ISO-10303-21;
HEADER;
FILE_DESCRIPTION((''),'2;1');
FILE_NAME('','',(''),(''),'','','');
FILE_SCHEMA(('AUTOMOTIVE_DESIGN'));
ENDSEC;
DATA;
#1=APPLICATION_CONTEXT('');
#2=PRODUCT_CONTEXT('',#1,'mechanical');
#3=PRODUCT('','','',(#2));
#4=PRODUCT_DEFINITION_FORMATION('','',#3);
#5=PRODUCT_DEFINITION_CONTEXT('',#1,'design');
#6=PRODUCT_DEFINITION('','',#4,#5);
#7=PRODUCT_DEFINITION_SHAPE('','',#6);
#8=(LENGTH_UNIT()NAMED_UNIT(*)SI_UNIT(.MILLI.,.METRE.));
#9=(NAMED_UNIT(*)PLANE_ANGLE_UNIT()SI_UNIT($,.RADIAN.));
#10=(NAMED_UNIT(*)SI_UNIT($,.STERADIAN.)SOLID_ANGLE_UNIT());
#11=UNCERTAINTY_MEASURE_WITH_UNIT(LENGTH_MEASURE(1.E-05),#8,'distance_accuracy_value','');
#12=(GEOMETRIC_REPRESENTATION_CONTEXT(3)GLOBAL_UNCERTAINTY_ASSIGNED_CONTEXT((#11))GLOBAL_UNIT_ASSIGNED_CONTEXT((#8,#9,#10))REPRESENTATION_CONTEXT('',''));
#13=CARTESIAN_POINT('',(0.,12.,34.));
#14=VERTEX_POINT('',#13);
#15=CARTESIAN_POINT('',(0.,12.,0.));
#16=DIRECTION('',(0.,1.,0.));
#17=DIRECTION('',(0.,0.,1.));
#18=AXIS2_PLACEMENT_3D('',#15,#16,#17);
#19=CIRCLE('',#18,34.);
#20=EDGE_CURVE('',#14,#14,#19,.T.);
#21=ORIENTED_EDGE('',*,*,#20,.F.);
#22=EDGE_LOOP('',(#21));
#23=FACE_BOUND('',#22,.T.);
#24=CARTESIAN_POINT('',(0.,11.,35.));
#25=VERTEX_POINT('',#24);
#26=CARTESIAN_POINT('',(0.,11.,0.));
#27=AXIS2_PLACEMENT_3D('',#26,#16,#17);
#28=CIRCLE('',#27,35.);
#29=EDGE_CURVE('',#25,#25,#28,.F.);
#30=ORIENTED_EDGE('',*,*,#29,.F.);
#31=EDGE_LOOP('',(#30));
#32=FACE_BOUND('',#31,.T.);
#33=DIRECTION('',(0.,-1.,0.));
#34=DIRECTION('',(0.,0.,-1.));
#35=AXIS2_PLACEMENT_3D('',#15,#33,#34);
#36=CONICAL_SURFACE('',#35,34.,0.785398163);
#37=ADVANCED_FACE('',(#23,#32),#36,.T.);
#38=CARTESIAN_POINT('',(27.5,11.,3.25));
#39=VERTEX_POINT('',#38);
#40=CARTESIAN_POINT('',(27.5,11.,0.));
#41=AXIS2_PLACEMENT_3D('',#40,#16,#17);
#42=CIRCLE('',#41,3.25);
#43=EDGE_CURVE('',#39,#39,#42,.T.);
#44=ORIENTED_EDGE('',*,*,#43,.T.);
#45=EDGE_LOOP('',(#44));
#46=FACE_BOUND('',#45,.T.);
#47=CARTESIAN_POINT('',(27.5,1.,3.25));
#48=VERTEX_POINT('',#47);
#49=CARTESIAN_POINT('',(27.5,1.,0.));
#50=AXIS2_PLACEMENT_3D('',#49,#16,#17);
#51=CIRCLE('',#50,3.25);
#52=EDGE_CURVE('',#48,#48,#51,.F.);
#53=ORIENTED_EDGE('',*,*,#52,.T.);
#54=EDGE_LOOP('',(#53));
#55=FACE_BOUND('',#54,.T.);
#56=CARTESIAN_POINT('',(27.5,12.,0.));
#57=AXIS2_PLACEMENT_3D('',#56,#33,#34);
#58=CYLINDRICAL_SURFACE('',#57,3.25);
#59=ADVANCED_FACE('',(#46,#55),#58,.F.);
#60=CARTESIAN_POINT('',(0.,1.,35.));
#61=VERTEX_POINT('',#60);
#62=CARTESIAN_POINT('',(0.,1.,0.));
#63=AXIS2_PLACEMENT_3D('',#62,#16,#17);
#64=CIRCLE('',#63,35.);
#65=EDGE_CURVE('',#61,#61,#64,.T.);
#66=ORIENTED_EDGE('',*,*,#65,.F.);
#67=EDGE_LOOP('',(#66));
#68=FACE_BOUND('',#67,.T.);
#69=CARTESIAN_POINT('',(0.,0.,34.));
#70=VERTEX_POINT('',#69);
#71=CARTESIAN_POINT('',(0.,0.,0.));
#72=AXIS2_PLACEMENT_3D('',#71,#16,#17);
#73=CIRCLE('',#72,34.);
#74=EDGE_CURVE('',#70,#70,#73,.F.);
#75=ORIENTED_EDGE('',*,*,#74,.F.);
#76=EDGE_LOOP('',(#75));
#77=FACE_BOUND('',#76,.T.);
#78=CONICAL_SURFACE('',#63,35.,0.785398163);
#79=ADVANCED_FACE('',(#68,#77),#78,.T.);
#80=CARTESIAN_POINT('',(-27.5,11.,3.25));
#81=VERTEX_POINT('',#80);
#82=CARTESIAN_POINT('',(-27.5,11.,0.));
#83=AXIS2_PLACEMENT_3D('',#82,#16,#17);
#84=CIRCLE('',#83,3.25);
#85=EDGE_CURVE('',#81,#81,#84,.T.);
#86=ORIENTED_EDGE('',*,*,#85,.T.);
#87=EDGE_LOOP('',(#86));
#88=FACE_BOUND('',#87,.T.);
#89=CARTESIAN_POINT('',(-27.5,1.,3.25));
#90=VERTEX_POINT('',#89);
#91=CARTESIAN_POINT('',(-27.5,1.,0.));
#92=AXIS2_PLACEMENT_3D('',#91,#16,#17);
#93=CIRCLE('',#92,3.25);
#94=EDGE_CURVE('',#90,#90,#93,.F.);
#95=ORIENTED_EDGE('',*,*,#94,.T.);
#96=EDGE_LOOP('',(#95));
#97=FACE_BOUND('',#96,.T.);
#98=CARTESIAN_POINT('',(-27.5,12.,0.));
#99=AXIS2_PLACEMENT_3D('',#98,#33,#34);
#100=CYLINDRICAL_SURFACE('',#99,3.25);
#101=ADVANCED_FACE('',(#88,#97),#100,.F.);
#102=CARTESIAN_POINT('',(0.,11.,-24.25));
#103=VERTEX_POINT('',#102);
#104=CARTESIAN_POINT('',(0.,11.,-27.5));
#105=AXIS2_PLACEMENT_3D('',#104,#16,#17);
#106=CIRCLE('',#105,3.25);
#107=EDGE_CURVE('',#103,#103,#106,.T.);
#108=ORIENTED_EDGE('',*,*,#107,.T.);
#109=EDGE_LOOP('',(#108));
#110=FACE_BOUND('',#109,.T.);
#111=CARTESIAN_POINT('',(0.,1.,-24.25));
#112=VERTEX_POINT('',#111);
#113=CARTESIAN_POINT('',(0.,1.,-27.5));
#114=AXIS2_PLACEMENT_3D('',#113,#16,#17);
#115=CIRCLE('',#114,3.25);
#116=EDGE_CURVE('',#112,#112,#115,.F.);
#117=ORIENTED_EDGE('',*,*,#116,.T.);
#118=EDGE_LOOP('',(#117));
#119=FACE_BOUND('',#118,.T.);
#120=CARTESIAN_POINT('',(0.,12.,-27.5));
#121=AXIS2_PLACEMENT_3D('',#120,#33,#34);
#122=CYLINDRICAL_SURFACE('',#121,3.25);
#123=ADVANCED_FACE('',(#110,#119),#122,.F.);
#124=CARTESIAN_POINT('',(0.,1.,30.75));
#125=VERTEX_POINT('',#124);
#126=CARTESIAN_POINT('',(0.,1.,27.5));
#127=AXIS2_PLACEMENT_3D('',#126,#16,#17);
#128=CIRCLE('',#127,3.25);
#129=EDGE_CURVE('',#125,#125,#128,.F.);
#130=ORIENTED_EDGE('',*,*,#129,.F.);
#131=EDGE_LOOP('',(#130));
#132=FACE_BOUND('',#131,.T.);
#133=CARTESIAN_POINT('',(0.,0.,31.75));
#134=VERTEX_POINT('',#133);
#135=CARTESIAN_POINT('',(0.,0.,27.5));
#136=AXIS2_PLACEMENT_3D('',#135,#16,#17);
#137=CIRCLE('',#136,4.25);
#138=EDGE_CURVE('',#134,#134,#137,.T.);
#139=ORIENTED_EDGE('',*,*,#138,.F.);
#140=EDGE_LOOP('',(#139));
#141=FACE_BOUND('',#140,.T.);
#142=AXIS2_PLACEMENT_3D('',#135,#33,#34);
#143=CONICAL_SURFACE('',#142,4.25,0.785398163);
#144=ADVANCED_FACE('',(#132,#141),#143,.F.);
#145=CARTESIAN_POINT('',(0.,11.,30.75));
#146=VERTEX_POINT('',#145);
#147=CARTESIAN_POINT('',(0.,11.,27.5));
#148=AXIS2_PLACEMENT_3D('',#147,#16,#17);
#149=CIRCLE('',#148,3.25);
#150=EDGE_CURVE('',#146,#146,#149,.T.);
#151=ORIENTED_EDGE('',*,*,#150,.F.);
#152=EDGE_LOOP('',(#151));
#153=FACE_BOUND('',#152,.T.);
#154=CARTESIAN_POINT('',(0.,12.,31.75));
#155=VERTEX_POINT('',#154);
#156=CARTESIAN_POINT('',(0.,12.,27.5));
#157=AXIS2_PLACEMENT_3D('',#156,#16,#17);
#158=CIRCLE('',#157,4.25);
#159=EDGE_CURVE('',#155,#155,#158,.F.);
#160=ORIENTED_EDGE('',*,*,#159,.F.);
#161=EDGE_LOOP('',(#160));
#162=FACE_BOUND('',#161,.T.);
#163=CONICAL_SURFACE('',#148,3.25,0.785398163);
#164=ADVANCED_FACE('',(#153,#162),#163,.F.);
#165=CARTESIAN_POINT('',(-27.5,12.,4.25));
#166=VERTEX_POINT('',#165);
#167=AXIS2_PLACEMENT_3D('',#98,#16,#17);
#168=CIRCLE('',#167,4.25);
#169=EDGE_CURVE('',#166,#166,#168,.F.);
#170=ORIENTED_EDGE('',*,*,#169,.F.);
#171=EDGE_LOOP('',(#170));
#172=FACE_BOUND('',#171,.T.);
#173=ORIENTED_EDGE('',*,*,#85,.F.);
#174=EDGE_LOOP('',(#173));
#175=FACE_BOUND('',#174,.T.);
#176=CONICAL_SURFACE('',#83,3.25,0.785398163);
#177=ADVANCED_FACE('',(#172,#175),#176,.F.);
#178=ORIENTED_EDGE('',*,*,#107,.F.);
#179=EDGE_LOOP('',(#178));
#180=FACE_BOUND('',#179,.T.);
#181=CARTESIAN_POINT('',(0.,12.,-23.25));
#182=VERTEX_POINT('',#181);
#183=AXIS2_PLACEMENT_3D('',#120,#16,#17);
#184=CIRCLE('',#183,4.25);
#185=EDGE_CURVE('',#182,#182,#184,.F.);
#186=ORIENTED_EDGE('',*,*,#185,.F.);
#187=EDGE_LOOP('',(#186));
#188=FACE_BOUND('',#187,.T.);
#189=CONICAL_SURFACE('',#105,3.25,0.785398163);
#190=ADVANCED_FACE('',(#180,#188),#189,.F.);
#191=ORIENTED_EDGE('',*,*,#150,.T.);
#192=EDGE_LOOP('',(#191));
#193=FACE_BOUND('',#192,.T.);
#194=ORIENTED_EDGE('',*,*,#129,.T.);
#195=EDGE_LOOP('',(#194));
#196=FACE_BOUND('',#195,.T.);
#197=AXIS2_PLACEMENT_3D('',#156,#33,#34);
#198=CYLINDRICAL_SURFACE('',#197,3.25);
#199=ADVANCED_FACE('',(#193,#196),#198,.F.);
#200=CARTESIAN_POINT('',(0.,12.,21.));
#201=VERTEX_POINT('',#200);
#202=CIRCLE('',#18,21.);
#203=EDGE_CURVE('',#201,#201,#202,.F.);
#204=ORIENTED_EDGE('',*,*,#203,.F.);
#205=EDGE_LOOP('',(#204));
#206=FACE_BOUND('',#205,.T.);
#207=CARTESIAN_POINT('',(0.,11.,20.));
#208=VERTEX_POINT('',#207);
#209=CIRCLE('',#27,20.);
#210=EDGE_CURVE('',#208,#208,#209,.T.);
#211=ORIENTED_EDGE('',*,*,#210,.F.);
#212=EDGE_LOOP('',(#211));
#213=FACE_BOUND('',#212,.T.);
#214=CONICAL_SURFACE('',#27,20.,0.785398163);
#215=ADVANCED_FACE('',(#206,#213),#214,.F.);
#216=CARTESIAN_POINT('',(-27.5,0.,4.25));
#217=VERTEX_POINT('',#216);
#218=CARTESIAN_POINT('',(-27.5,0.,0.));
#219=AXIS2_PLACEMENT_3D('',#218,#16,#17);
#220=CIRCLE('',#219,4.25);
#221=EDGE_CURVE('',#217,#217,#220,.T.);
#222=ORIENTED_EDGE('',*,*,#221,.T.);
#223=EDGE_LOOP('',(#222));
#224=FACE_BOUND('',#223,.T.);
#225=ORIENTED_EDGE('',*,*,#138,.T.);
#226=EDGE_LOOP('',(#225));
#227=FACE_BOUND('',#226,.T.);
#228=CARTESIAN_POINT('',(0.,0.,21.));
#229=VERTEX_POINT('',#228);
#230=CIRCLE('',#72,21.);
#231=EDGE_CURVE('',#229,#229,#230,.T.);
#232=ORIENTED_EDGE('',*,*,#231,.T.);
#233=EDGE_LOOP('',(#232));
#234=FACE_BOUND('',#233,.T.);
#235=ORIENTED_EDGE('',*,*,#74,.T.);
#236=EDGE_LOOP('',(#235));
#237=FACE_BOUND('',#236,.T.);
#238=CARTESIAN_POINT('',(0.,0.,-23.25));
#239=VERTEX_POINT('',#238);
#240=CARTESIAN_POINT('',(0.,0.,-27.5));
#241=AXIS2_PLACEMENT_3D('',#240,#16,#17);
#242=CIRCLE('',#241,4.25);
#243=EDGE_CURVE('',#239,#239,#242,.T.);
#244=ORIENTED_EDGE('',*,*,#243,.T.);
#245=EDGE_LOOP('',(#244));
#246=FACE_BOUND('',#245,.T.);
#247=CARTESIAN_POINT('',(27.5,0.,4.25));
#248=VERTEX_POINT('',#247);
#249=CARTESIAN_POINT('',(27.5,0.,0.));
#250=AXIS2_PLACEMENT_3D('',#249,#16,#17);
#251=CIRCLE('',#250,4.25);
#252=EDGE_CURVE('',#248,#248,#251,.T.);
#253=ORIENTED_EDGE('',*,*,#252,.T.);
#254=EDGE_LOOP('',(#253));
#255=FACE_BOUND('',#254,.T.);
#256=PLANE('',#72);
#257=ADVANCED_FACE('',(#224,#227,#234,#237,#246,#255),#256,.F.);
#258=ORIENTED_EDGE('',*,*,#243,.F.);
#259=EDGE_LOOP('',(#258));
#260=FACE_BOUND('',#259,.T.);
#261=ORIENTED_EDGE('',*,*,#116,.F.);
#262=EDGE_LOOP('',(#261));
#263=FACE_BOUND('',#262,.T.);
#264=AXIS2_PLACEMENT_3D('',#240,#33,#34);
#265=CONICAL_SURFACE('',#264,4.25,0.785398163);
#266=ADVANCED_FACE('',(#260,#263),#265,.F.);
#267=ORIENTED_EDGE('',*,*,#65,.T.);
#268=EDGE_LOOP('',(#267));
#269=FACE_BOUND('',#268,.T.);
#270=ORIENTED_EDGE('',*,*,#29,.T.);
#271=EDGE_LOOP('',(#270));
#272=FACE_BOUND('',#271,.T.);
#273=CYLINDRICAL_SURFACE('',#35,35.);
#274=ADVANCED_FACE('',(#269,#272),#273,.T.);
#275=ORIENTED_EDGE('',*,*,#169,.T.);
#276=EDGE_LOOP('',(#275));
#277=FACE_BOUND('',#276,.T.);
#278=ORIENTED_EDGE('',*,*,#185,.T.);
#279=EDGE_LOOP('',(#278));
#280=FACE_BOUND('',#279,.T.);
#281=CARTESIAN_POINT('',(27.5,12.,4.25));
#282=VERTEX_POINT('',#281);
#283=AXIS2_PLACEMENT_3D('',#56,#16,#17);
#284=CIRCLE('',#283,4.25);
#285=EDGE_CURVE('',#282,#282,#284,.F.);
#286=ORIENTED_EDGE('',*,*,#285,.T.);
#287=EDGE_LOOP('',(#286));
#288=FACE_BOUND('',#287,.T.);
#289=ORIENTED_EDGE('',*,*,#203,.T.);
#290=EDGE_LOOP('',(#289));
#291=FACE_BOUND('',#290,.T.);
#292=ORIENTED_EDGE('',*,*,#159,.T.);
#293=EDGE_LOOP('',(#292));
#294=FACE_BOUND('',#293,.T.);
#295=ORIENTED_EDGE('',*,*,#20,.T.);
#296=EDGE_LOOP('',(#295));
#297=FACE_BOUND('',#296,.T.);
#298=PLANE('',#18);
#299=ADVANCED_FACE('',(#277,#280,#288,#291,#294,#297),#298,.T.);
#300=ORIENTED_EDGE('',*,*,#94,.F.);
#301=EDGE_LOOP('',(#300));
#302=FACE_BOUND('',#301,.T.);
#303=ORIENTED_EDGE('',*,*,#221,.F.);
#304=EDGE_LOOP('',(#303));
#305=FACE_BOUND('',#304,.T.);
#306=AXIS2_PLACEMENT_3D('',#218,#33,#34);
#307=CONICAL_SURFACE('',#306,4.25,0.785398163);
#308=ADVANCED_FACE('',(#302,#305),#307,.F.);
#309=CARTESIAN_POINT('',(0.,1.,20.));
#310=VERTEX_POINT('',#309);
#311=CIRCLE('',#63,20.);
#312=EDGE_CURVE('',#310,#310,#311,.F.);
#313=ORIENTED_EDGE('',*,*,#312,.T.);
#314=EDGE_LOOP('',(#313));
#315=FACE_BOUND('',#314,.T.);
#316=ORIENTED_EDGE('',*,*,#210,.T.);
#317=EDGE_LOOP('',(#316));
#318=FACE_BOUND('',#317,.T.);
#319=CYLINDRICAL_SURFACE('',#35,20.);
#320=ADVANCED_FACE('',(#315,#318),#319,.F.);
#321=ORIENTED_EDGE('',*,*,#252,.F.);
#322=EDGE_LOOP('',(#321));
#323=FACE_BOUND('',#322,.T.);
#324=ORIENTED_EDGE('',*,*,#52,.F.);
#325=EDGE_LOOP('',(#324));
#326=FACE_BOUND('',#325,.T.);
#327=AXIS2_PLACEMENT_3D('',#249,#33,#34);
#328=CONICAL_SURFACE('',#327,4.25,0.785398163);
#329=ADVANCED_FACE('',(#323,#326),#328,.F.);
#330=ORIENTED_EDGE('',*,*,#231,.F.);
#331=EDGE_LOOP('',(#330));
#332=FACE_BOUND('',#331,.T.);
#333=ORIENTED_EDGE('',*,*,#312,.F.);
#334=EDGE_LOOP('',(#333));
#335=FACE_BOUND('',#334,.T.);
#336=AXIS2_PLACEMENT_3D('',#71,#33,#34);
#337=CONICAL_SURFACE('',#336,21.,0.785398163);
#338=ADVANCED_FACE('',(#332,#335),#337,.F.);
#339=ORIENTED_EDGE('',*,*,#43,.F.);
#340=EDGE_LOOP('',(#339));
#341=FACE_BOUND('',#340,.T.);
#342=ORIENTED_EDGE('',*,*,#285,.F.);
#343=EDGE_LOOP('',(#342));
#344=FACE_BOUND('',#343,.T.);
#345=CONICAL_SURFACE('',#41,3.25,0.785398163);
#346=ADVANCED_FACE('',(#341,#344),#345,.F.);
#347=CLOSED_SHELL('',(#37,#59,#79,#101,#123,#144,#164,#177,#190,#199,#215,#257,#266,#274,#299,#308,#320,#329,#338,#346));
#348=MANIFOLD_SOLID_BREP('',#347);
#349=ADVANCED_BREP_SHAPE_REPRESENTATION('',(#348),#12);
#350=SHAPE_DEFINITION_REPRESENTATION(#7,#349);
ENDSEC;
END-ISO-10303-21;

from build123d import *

# Parameters (mm, degrees)
SKETCH1_R           = 35
SKETCH1_R_2         = 20
SKETCH1_R_3         = 3.25
BOSS_EXTRUDE1_DEPTH = 12
CHAMFER1_SIZE       = 1


with BuildPart() as part:
    # Sketch1 → Boss-Extrude1 (new body)
    with BuildSketch(Plane(origin=(0, 0, 0), x_dir=(1, 0, 0), z_dir=(0, 1, 0))):
        with Locations(Location((0, 0, 0), (0, 0, 270))):
            Circle(SKETCH1_R)
        with Locations(Location((0, 0, 0), (0, 0, 270))):
            Circle(SKETCH1_R_2, mode=Mode.SUBTRACT)
        with Locations(Location((27.5, 0, 0), (0, 0, 270))):
            Circle(SKETCH1_R_3, mode=Mode.SUBTRACT)
        with Locations(Location((0, -27.5, 0), (0, 0, 270))):
            Circle(SKETCH1_R_3, mode=Mode.SUBTRACT)
        with Locations(Location((-27.5, 0, 0), (0, 0, 270))):
            Circle(SKETCH1_R_3, mode=Mode.SUBTRACT)
        with Locations(Location((0, 27.5, 0), (0, 0, 270))):
            Circle(SKETCH1_R_3, mode=Mode.SUBTRACT)
    extrude(amount=BOSS_EXTRUDE1_DEPTH)

    # Chamfer1
    chamfer1_edges = [part.edges().sort_by_distance(p)[0] for p in [
        (0, 0, 24.25),
        (0, 12, 24.25),
        (-27.5, 0, -3.25),
        (-27.5, 12, -3.25),
        (0, 0, -35),
        (0, 0, -30.75),
        (0, 12, -30.75),
        (0, 12, -35),
        (0, 0, -20),
        (0, 12, -20),
        (27.5, 0, -3.25),
        (27.5, 12, -3.25),
    ]]
    chamfer(chamfer1_edges, length=CHAMFER1_SIZE)


solid = part.part
